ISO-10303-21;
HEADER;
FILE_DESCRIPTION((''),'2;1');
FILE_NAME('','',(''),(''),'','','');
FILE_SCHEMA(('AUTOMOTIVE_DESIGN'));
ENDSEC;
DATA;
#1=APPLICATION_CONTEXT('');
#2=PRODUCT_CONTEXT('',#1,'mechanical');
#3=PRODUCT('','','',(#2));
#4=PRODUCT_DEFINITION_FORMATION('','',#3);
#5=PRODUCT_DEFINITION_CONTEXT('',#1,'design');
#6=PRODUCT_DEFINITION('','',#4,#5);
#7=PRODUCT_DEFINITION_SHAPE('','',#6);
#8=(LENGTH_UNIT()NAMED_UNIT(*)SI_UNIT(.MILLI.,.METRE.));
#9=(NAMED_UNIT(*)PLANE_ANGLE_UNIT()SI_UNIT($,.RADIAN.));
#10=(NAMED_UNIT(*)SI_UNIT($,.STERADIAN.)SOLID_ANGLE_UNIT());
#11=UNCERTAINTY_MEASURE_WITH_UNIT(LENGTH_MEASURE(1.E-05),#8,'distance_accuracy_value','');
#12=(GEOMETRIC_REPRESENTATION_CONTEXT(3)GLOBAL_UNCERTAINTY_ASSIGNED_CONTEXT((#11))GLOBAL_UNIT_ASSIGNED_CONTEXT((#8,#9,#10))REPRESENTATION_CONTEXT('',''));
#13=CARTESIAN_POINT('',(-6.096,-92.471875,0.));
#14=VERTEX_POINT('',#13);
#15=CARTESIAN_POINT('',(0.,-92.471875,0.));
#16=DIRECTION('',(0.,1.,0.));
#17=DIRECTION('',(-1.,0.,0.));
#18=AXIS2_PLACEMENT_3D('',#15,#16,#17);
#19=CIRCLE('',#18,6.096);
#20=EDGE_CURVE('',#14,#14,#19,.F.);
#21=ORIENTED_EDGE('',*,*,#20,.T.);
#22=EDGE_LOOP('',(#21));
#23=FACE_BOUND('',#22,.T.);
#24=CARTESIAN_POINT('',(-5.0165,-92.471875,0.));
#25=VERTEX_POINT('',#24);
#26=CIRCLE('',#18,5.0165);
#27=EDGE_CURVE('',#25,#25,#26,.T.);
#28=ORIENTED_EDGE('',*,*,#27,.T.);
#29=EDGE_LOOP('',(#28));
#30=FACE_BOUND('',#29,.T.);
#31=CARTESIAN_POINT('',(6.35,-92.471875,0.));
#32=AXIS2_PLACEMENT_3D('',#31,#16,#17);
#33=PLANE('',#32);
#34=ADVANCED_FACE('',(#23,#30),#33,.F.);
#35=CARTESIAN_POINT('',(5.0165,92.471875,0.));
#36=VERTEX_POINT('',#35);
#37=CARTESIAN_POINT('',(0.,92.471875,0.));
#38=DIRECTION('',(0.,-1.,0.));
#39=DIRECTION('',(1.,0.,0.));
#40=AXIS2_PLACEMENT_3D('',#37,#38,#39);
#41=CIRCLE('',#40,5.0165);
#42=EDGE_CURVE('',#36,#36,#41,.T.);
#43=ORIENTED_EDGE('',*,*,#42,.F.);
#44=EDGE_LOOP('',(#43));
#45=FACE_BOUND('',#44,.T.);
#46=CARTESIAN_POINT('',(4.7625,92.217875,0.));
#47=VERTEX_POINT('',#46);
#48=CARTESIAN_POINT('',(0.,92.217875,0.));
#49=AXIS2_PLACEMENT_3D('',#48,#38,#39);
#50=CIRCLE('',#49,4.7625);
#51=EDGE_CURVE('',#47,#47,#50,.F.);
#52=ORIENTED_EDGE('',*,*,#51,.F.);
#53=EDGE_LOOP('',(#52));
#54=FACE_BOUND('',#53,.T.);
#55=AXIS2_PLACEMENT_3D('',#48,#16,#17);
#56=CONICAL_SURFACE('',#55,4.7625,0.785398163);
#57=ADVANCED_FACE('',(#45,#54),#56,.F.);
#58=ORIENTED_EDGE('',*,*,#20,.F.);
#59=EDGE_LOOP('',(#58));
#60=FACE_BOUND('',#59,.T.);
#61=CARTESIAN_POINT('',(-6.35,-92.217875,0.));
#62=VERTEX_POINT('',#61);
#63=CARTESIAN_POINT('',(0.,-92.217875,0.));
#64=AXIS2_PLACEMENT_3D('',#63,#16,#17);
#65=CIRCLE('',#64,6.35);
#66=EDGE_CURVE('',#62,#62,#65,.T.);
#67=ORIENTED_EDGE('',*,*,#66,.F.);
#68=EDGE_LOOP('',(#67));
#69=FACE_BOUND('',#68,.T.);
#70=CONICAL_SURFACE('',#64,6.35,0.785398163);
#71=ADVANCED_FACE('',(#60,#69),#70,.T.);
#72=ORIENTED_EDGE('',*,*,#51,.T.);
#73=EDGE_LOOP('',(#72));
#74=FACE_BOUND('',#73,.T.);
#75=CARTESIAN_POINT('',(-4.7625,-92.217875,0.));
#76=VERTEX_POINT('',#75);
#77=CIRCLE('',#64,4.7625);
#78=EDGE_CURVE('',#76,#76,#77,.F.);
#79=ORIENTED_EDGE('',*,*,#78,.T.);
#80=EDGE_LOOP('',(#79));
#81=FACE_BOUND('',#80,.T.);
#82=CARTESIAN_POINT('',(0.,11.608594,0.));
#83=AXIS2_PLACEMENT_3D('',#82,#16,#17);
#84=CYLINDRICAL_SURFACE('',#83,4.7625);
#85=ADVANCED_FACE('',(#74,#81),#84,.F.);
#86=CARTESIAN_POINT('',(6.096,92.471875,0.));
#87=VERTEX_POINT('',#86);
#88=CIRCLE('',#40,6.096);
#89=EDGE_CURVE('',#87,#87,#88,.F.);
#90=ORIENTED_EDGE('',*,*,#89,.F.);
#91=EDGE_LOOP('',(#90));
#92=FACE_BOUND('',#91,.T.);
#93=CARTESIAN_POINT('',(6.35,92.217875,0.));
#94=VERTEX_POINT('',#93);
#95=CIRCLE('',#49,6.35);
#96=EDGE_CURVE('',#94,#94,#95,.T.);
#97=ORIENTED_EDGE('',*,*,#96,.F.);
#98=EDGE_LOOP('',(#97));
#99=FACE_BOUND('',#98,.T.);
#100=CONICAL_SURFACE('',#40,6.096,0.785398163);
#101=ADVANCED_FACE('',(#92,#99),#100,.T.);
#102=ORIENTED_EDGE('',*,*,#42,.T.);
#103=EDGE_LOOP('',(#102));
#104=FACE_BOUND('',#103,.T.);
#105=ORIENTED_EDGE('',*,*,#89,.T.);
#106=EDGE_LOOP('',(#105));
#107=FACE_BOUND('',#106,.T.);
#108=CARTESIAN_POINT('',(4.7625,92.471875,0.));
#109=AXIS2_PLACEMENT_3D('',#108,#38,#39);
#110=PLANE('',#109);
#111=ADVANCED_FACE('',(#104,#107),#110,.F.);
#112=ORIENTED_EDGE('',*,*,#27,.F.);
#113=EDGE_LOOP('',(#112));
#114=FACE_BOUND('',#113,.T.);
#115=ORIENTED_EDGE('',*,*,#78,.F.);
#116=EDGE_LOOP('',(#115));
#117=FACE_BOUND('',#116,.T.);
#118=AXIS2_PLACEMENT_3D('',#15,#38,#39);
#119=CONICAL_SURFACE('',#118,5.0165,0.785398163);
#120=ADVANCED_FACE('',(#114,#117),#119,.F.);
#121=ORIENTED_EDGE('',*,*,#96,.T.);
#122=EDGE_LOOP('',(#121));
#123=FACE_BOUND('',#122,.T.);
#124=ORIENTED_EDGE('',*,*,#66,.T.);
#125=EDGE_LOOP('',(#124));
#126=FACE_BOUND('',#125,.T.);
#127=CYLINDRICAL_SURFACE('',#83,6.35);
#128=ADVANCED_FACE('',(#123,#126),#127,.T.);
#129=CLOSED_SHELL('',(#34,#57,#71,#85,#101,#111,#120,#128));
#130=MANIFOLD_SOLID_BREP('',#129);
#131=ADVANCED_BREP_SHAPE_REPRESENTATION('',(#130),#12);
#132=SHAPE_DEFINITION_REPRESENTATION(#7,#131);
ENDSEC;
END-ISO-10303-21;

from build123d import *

# Parameters (mm, degrees)
SKETCH1_W     = 1.5875
SKETCH1_H     = 184.94375
CHAMFER1_SIZE = 0.254


with BuildPart() as part:
    # Sketch1 → Revolve1 (revolve)
    with BuildSketch(Plane.XY):
        with Locations((5.55625, 0)):
            Rectangle(SKETCH1_W, SKETCH1_H)
    revolve(axis=Axis((0, 11.60859375, 0), (0, -1, 0)))

    # Chamfer1
    chamfer1_edges = [part.edges().sort_by_distance(p)[0] for p in [
        (-4.7625, -92.471875, 0),
        (-6.35, -92.471875, 0),
        (-6.35, 92.471875, 0),
        (-4.7625, 92.471875, 0),
    ]]
    chamfer(chamfer1_edges, length=CHAMFER1_SIZE)


solid = part.part
